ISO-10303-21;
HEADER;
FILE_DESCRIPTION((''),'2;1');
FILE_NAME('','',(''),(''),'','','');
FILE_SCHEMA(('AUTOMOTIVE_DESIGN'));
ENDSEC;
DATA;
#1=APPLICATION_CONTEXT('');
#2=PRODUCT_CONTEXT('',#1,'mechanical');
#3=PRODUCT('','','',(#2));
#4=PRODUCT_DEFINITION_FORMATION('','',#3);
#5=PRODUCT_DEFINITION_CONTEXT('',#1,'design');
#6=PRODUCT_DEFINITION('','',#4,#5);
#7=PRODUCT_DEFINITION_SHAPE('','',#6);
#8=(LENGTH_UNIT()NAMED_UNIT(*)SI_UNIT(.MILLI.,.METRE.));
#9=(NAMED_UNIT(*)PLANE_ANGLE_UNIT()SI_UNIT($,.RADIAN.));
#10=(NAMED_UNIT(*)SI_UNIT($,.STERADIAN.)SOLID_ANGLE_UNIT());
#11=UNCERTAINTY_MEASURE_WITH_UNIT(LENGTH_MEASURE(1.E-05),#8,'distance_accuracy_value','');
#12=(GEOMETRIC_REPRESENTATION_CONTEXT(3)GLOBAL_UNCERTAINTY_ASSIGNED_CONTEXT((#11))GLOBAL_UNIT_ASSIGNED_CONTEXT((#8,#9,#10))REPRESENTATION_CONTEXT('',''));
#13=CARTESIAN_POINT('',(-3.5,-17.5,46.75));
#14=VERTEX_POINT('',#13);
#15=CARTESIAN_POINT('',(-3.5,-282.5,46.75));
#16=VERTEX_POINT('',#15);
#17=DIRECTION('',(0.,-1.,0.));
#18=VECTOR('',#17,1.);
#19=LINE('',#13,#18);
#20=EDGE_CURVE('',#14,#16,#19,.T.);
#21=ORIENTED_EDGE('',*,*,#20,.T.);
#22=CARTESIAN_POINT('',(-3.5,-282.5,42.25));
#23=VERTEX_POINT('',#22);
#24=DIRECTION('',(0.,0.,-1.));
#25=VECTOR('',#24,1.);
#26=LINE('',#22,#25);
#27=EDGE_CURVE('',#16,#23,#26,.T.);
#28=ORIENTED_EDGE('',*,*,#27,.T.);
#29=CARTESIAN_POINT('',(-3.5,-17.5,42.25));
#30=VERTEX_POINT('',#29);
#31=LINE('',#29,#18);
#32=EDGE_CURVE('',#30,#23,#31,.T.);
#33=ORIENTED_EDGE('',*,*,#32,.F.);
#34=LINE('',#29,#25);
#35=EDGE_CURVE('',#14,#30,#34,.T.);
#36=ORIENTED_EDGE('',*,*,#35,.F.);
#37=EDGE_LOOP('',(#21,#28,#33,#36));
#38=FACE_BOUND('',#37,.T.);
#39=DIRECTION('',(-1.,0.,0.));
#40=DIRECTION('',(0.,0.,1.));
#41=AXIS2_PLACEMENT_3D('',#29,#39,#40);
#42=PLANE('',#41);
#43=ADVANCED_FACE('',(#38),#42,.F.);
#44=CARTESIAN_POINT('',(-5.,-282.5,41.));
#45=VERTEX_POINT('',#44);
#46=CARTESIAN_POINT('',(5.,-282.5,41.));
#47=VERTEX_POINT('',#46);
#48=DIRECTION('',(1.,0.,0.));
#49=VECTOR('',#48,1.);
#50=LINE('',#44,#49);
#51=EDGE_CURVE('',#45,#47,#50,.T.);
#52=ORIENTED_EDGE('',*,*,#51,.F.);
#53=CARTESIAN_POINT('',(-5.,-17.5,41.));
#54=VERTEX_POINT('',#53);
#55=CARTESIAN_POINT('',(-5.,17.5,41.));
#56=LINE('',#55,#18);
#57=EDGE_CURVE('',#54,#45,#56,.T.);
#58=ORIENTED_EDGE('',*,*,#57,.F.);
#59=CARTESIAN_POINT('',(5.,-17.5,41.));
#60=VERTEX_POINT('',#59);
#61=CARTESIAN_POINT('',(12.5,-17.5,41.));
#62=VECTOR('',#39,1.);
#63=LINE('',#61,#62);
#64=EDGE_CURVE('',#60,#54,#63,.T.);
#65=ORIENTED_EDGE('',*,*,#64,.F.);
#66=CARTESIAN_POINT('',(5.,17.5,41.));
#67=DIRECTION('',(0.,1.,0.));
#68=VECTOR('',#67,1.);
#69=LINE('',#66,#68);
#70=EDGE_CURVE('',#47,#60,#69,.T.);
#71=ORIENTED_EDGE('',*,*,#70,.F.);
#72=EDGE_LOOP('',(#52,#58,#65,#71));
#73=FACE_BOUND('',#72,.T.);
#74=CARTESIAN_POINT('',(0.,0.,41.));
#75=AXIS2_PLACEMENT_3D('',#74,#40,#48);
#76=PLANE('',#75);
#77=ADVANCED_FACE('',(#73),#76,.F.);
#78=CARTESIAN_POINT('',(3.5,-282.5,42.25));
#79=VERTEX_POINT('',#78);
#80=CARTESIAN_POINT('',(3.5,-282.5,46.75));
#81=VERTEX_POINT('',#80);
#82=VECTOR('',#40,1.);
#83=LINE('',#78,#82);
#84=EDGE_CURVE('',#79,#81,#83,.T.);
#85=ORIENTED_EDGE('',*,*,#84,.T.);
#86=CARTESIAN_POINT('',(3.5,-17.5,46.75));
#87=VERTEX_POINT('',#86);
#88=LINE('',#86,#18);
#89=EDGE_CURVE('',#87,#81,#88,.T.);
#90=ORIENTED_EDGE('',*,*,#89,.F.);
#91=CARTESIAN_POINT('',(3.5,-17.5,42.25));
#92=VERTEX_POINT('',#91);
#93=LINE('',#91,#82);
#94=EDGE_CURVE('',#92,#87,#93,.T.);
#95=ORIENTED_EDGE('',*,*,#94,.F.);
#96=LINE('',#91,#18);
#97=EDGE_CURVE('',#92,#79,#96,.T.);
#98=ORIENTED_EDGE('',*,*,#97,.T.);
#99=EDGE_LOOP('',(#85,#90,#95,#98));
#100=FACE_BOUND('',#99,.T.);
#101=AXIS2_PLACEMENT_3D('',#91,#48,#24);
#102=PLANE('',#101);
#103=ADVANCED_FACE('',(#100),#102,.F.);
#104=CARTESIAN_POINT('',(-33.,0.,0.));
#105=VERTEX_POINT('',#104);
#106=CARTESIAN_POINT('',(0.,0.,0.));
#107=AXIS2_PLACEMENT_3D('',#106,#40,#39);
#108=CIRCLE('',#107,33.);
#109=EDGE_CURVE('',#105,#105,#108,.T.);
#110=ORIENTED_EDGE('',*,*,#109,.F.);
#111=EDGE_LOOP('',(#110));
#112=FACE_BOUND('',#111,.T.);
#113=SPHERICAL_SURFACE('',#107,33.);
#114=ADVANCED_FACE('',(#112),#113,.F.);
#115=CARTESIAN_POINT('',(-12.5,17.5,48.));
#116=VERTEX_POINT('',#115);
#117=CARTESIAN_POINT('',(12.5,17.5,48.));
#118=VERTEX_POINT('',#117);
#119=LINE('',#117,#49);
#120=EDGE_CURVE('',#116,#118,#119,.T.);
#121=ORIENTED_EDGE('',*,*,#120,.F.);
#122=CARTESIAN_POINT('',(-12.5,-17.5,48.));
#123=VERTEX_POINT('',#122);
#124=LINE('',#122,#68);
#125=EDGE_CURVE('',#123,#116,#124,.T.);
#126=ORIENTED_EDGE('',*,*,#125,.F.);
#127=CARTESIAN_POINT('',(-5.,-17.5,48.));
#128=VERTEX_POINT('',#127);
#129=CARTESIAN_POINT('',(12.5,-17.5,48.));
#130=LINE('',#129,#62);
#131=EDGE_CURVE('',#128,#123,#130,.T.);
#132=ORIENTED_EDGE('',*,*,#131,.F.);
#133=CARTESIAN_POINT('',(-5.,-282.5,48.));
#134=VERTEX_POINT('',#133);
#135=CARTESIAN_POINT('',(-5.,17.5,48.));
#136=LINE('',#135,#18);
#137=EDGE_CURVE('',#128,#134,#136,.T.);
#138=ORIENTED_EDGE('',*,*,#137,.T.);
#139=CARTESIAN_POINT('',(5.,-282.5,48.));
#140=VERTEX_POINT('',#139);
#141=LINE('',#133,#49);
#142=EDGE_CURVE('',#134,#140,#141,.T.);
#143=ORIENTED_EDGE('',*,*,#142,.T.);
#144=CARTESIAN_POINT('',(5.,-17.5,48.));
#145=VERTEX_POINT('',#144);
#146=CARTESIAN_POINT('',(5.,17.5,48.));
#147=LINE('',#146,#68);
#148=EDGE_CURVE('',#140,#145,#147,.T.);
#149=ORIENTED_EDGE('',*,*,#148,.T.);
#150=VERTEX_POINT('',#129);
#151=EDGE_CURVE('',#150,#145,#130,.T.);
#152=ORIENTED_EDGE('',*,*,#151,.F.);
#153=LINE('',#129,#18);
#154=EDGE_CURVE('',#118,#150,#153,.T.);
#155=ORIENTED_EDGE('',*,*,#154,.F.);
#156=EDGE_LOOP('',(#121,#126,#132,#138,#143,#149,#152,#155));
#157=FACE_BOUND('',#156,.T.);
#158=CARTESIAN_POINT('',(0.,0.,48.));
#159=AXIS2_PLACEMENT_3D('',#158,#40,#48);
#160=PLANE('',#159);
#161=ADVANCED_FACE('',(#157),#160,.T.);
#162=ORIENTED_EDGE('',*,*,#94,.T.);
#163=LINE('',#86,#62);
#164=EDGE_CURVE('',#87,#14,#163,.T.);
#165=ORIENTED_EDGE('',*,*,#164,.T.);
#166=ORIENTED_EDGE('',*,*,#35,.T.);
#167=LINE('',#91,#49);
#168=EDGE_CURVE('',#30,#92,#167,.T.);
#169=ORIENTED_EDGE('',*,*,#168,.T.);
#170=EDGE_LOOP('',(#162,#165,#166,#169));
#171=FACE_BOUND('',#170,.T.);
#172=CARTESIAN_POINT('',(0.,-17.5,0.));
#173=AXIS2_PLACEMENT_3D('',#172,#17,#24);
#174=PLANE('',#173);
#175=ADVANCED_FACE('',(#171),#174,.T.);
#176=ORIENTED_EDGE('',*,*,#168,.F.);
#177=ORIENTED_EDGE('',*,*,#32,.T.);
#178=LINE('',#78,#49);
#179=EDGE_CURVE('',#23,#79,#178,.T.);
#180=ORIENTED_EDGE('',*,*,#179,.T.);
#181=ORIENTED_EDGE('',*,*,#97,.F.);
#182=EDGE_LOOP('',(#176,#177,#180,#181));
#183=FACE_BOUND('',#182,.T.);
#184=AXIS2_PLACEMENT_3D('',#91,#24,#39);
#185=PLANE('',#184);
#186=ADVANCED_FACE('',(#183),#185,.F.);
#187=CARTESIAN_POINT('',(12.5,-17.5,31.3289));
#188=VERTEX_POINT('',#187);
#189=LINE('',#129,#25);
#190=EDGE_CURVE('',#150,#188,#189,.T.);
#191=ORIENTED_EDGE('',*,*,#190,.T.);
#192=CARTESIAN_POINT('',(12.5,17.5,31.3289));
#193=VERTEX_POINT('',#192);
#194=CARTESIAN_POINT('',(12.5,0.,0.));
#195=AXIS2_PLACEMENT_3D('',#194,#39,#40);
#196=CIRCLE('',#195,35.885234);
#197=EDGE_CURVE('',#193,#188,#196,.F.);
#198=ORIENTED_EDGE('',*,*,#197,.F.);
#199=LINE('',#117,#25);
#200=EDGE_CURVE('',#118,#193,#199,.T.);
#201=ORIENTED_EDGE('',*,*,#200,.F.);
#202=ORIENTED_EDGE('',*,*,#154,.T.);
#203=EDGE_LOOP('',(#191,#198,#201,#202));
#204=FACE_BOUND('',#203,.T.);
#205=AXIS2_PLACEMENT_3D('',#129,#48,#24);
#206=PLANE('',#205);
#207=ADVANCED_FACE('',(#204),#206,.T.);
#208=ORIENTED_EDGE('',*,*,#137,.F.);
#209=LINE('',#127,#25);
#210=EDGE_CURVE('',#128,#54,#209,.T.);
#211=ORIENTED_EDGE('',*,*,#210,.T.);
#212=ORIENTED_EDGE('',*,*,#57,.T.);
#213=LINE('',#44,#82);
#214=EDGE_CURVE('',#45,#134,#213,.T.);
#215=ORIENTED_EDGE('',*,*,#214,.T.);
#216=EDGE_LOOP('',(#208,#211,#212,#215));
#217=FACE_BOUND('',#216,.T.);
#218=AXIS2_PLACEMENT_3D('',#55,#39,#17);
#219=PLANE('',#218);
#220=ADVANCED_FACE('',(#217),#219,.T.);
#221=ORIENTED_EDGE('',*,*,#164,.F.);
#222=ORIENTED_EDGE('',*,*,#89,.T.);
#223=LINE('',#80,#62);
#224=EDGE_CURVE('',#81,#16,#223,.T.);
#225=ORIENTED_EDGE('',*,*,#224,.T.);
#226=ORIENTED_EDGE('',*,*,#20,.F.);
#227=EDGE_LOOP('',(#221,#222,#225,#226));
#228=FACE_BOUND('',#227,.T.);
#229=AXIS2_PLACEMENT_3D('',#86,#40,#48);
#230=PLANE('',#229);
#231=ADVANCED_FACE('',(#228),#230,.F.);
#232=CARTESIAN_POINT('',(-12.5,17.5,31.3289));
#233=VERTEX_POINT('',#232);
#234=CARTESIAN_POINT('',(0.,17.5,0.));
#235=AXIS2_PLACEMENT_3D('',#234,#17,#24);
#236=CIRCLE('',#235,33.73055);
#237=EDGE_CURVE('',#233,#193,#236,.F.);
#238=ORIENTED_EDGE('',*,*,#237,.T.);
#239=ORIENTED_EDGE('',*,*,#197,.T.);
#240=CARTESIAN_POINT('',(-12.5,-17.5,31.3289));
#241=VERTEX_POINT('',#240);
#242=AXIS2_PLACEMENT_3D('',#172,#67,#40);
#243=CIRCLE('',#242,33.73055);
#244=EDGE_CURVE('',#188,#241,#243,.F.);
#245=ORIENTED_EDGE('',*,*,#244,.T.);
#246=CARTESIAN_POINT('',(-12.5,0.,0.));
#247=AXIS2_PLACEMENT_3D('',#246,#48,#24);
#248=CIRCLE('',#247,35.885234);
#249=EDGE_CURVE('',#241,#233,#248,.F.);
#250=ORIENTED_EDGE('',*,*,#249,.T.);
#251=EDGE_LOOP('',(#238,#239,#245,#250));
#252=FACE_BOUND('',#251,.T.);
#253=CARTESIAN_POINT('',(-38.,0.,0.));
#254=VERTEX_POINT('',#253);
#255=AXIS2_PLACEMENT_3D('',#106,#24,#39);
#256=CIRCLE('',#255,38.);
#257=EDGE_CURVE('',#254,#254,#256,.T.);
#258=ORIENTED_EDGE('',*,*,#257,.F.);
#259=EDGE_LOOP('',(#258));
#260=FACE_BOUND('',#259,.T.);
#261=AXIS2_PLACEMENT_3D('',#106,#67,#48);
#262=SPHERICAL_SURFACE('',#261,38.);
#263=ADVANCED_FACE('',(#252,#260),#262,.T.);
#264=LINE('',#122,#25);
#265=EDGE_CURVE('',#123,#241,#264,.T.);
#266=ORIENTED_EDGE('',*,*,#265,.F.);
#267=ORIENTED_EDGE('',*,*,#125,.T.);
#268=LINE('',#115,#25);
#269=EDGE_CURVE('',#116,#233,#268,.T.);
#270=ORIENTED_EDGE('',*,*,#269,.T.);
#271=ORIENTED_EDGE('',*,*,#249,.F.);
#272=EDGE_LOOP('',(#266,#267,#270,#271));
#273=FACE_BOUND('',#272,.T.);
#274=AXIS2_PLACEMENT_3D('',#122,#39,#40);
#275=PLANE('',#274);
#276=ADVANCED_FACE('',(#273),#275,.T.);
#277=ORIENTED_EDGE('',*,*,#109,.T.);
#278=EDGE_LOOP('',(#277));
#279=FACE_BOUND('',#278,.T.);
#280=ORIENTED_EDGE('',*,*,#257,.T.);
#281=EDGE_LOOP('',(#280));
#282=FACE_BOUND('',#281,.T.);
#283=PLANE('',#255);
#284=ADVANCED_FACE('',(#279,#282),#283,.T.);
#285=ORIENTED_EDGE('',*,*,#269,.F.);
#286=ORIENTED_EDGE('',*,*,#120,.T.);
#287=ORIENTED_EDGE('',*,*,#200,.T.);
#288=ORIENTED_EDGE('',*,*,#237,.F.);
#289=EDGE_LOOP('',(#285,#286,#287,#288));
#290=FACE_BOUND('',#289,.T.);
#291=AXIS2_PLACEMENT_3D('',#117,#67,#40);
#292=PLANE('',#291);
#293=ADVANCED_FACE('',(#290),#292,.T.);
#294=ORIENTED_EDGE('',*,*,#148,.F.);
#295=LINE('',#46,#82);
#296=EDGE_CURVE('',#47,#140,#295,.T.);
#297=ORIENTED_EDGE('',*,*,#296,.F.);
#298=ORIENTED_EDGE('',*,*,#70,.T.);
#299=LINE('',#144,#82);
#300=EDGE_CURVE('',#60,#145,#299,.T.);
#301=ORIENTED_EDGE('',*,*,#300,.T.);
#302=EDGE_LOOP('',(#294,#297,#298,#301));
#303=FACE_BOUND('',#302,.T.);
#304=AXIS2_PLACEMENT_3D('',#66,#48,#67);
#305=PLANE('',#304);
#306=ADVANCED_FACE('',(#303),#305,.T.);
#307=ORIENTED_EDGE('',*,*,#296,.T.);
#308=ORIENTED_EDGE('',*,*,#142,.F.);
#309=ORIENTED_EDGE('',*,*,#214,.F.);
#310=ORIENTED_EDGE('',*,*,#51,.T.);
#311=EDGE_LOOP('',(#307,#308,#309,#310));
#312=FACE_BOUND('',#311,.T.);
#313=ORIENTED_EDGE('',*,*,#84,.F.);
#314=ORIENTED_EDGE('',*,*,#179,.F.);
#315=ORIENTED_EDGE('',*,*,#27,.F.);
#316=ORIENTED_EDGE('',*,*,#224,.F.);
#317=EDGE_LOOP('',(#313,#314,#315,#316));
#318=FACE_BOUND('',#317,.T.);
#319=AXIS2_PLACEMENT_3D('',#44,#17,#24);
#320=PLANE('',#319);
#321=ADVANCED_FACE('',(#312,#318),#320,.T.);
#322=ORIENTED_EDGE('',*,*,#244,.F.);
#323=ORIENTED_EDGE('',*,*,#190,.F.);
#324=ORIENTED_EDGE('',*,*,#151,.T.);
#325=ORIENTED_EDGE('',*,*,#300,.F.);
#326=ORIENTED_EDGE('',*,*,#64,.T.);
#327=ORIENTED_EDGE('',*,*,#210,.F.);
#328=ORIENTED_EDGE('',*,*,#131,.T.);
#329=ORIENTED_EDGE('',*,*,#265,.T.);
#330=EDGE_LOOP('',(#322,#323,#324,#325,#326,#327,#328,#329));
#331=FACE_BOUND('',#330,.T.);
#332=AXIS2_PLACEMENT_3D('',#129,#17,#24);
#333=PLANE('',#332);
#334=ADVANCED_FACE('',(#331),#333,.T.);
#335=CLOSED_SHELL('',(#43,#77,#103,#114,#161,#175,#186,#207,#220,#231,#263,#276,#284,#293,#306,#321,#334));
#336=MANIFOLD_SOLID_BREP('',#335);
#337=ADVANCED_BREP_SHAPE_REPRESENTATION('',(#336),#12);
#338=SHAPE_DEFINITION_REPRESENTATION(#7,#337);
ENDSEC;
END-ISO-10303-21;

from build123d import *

# Parameters (mm, degrees)
REVOLVE1_ANGLE                  = 180
BOSS_EXTRUDE2_REACH             = 67.818
BOSS_EXTRUDE2_END_RADIUS        = 38
SKETCH2_W                       = 25
SKETCH2_H                       = 35
BOSS_EXTRUDE2_DIRECTION_2_DEPTH = 10
SKETCH5_W                       = 10
SKETCH5_H                       = 300
BOSS_EXTRUDE3_DEPTH             = 7
SKETCH6_W                       = 7
SKETCH6_H                       = 4.5
CUT_EXTRUDE1_DEPTH              = 265


with BuildPart() as part:
    # Sketch1 → Revolve1 (revolve)
    with BuildSketch(Plane.XY):
        with BuildLine():
            Line((0, 38), (0, 33))
            ThreePointArc((0, 33), (33, 0), (0, -33))
            Line((0, -33), (0, -38))
            ThreePointArc((0, -38), (38, 0), (0, 38))
        make_face()
    revolve(axis=Axis((0, -33, 0), (0, -1, 0)), revolution_arc=REVOLVE1_ANGLE)

    # Boss-Extrude2: up to this sphere (the profile starts outside it)
    boss_extrude2_end = Location((0, 0, 0)) * Sphere(BOSS_EXTRUDE2_END_RADIUS, mode=Mode.PRIVATE)
    # Sketch2 → Boss-Extrude2 (add, up to the surface)
    with BuildSketch(Plane(origin=(0, 0, 38), x_dir=(-1, 0, 0), z_dir=(0, 0, -1)), mode=Mode.PRIVATE) as boss_extrude2_sk1:
        Rectangle(SKETCH2_W, SKETCH2_H)
    boss_extrude2_tool1 = extrude(boss_extrude2_sk1.sketch, amount=BOSS_EXTRUDE2_REACH, mode=Mode.PRIVATE) - boss_extrude2_end
    add(boss_extrude2_tool1.solids().sort_by_distance((0, 0, 38))[0])

    # Sketch2 → Boss-Extrude2 direction 2 (add)
    with BuildSketch(Plane(origin=(0, 0, 38), x_dir=(-1, 0, 0), z_dir=(0, 0, -1))):
        Rectangle(SKETCH2_W, SKETCH2_H)
    extrude(amount=-BOSS_EXTRUDE2_DIRECTION_2_DEPTH)

    # Sketch5 → Boss-Extrude3 (add)
    with BuildSketch(Plane.XY.offset(48)):
        with Locations((0, -132.5)):
            Rectangle(SKETCH5_W, SKETCH5_H)
    extrude(amount=-BOSS_EXTRUDE3_DEPTH)

    # Sketch6 → Cut-Extrude1 (cut)
    with BuildSketch(Plane(origin=(0, -282.5, 0), x_dir=(-1, 0, 0), z_dir=(0, -1, 0))):
        with Locations((0, -44.5)):
            Rectangle(SKETCH6_W, SKETCH6_H)
    extrude(amount=-CUT_EXTRUDE1_DEPTH, mode=Mode.SUBTRACT)


solid = part.part
